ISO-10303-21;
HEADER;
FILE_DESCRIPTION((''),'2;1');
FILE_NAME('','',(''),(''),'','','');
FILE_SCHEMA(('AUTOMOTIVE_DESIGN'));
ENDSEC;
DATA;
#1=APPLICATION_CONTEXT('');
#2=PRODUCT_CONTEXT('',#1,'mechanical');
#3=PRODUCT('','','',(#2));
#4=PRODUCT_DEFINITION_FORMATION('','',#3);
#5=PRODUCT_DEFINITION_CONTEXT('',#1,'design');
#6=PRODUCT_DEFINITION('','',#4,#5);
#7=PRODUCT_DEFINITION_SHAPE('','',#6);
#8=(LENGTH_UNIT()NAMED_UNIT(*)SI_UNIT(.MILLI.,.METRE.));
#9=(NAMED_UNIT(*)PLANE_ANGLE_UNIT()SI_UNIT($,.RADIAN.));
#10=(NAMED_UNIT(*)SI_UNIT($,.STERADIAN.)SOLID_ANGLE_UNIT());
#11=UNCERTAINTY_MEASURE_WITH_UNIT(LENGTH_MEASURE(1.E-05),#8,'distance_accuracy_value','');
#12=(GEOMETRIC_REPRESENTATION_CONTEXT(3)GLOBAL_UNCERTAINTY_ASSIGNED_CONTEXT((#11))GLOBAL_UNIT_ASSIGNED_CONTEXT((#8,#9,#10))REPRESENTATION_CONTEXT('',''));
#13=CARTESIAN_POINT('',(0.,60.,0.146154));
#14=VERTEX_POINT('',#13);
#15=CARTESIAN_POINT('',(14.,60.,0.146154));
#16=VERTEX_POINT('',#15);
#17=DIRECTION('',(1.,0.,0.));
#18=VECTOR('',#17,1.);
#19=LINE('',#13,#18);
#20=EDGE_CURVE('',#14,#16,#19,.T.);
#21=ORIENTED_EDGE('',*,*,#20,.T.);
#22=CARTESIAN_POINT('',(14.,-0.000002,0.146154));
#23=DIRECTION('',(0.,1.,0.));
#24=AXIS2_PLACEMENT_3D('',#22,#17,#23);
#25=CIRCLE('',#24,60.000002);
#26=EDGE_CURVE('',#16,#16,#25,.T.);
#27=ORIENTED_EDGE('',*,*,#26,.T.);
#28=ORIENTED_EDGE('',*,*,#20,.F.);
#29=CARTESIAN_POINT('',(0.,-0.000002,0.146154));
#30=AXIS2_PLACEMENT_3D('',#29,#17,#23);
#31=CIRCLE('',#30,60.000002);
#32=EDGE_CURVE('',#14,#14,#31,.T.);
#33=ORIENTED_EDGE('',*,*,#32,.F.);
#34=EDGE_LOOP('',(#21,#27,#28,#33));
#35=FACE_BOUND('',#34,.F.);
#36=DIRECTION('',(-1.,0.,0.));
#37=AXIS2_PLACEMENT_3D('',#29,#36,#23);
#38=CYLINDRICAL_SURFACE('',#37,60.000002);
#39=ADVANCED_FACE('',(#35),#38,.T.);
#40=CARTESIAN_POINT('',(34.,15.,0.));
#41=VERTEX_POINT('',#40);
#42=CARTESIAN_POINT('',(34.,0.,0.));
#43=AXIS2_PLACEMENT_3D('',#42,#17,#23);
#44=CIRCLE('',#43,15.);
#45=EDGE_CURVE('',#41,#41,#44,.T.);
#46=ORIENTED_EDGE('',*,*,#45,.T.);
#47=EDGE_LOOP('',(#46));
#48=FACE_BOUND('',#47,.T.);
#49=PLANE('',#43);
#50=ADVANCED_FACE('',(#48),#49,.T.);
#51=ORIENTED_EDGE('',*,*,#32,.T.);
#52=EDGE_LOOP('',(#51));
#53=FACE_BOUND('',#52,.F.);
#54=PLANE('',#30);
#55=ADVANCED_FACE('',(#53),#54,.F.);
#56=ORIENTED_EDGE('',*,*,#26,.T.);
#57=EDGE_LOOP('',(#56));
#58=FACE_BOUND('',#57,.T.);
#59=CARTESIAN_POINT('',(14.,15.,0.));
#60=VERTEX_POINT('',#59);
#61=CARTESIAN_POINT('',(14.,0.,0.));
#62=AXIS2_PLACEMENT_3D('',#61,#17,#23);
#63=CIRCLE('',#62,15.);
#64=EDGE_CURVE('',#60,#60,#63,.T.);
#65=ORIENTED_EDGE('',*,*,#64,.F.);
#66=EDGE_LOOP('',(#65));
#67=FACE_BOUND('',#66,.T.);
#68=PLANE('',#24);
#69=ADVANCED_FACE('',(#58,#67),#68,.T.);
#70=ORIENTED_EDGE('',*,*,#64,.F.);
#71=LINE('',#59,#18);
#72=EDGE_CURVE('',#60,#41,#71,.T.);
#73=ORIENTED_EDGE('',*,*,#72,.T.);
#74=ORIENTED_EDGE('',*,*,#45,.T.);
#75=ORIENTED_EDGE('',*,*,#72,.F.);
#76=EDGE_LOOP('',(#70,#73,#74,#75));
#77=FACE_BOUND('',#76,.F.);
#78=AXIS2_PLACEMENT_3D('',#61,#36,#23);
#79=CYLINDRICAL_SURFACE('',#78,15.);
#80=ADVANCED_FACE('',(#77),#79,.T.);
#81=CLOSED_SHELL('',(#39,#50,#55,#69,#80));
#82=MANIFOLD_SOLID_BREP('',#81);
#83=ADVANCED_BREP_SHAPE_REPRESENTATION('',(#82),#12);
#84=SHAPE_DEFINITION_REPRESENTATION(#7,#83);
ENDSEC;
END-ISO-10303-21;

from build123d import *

# Parameters (mm, degrees)
F0_R     = 60.000002
F1_DEPTH = 14
F2_R     = 15
F3_DEPTH = 20


with BuildPart() as f1:
    # F0 (on Right) → F1 (new body)
    with BuildSketch(Plane.YZ):
        with Locations((-2e-06, 0.146154)):
            Circle(F0_R)
    extrude(amount=F1_DEPTH)

    # F2 (on face) → F3 (join)
    with BuildSketch(Plane.YZ.offset(14)):
        Circle(F2_R)
    extrude(amount=F3_DEPTH)


solid = f1.part
